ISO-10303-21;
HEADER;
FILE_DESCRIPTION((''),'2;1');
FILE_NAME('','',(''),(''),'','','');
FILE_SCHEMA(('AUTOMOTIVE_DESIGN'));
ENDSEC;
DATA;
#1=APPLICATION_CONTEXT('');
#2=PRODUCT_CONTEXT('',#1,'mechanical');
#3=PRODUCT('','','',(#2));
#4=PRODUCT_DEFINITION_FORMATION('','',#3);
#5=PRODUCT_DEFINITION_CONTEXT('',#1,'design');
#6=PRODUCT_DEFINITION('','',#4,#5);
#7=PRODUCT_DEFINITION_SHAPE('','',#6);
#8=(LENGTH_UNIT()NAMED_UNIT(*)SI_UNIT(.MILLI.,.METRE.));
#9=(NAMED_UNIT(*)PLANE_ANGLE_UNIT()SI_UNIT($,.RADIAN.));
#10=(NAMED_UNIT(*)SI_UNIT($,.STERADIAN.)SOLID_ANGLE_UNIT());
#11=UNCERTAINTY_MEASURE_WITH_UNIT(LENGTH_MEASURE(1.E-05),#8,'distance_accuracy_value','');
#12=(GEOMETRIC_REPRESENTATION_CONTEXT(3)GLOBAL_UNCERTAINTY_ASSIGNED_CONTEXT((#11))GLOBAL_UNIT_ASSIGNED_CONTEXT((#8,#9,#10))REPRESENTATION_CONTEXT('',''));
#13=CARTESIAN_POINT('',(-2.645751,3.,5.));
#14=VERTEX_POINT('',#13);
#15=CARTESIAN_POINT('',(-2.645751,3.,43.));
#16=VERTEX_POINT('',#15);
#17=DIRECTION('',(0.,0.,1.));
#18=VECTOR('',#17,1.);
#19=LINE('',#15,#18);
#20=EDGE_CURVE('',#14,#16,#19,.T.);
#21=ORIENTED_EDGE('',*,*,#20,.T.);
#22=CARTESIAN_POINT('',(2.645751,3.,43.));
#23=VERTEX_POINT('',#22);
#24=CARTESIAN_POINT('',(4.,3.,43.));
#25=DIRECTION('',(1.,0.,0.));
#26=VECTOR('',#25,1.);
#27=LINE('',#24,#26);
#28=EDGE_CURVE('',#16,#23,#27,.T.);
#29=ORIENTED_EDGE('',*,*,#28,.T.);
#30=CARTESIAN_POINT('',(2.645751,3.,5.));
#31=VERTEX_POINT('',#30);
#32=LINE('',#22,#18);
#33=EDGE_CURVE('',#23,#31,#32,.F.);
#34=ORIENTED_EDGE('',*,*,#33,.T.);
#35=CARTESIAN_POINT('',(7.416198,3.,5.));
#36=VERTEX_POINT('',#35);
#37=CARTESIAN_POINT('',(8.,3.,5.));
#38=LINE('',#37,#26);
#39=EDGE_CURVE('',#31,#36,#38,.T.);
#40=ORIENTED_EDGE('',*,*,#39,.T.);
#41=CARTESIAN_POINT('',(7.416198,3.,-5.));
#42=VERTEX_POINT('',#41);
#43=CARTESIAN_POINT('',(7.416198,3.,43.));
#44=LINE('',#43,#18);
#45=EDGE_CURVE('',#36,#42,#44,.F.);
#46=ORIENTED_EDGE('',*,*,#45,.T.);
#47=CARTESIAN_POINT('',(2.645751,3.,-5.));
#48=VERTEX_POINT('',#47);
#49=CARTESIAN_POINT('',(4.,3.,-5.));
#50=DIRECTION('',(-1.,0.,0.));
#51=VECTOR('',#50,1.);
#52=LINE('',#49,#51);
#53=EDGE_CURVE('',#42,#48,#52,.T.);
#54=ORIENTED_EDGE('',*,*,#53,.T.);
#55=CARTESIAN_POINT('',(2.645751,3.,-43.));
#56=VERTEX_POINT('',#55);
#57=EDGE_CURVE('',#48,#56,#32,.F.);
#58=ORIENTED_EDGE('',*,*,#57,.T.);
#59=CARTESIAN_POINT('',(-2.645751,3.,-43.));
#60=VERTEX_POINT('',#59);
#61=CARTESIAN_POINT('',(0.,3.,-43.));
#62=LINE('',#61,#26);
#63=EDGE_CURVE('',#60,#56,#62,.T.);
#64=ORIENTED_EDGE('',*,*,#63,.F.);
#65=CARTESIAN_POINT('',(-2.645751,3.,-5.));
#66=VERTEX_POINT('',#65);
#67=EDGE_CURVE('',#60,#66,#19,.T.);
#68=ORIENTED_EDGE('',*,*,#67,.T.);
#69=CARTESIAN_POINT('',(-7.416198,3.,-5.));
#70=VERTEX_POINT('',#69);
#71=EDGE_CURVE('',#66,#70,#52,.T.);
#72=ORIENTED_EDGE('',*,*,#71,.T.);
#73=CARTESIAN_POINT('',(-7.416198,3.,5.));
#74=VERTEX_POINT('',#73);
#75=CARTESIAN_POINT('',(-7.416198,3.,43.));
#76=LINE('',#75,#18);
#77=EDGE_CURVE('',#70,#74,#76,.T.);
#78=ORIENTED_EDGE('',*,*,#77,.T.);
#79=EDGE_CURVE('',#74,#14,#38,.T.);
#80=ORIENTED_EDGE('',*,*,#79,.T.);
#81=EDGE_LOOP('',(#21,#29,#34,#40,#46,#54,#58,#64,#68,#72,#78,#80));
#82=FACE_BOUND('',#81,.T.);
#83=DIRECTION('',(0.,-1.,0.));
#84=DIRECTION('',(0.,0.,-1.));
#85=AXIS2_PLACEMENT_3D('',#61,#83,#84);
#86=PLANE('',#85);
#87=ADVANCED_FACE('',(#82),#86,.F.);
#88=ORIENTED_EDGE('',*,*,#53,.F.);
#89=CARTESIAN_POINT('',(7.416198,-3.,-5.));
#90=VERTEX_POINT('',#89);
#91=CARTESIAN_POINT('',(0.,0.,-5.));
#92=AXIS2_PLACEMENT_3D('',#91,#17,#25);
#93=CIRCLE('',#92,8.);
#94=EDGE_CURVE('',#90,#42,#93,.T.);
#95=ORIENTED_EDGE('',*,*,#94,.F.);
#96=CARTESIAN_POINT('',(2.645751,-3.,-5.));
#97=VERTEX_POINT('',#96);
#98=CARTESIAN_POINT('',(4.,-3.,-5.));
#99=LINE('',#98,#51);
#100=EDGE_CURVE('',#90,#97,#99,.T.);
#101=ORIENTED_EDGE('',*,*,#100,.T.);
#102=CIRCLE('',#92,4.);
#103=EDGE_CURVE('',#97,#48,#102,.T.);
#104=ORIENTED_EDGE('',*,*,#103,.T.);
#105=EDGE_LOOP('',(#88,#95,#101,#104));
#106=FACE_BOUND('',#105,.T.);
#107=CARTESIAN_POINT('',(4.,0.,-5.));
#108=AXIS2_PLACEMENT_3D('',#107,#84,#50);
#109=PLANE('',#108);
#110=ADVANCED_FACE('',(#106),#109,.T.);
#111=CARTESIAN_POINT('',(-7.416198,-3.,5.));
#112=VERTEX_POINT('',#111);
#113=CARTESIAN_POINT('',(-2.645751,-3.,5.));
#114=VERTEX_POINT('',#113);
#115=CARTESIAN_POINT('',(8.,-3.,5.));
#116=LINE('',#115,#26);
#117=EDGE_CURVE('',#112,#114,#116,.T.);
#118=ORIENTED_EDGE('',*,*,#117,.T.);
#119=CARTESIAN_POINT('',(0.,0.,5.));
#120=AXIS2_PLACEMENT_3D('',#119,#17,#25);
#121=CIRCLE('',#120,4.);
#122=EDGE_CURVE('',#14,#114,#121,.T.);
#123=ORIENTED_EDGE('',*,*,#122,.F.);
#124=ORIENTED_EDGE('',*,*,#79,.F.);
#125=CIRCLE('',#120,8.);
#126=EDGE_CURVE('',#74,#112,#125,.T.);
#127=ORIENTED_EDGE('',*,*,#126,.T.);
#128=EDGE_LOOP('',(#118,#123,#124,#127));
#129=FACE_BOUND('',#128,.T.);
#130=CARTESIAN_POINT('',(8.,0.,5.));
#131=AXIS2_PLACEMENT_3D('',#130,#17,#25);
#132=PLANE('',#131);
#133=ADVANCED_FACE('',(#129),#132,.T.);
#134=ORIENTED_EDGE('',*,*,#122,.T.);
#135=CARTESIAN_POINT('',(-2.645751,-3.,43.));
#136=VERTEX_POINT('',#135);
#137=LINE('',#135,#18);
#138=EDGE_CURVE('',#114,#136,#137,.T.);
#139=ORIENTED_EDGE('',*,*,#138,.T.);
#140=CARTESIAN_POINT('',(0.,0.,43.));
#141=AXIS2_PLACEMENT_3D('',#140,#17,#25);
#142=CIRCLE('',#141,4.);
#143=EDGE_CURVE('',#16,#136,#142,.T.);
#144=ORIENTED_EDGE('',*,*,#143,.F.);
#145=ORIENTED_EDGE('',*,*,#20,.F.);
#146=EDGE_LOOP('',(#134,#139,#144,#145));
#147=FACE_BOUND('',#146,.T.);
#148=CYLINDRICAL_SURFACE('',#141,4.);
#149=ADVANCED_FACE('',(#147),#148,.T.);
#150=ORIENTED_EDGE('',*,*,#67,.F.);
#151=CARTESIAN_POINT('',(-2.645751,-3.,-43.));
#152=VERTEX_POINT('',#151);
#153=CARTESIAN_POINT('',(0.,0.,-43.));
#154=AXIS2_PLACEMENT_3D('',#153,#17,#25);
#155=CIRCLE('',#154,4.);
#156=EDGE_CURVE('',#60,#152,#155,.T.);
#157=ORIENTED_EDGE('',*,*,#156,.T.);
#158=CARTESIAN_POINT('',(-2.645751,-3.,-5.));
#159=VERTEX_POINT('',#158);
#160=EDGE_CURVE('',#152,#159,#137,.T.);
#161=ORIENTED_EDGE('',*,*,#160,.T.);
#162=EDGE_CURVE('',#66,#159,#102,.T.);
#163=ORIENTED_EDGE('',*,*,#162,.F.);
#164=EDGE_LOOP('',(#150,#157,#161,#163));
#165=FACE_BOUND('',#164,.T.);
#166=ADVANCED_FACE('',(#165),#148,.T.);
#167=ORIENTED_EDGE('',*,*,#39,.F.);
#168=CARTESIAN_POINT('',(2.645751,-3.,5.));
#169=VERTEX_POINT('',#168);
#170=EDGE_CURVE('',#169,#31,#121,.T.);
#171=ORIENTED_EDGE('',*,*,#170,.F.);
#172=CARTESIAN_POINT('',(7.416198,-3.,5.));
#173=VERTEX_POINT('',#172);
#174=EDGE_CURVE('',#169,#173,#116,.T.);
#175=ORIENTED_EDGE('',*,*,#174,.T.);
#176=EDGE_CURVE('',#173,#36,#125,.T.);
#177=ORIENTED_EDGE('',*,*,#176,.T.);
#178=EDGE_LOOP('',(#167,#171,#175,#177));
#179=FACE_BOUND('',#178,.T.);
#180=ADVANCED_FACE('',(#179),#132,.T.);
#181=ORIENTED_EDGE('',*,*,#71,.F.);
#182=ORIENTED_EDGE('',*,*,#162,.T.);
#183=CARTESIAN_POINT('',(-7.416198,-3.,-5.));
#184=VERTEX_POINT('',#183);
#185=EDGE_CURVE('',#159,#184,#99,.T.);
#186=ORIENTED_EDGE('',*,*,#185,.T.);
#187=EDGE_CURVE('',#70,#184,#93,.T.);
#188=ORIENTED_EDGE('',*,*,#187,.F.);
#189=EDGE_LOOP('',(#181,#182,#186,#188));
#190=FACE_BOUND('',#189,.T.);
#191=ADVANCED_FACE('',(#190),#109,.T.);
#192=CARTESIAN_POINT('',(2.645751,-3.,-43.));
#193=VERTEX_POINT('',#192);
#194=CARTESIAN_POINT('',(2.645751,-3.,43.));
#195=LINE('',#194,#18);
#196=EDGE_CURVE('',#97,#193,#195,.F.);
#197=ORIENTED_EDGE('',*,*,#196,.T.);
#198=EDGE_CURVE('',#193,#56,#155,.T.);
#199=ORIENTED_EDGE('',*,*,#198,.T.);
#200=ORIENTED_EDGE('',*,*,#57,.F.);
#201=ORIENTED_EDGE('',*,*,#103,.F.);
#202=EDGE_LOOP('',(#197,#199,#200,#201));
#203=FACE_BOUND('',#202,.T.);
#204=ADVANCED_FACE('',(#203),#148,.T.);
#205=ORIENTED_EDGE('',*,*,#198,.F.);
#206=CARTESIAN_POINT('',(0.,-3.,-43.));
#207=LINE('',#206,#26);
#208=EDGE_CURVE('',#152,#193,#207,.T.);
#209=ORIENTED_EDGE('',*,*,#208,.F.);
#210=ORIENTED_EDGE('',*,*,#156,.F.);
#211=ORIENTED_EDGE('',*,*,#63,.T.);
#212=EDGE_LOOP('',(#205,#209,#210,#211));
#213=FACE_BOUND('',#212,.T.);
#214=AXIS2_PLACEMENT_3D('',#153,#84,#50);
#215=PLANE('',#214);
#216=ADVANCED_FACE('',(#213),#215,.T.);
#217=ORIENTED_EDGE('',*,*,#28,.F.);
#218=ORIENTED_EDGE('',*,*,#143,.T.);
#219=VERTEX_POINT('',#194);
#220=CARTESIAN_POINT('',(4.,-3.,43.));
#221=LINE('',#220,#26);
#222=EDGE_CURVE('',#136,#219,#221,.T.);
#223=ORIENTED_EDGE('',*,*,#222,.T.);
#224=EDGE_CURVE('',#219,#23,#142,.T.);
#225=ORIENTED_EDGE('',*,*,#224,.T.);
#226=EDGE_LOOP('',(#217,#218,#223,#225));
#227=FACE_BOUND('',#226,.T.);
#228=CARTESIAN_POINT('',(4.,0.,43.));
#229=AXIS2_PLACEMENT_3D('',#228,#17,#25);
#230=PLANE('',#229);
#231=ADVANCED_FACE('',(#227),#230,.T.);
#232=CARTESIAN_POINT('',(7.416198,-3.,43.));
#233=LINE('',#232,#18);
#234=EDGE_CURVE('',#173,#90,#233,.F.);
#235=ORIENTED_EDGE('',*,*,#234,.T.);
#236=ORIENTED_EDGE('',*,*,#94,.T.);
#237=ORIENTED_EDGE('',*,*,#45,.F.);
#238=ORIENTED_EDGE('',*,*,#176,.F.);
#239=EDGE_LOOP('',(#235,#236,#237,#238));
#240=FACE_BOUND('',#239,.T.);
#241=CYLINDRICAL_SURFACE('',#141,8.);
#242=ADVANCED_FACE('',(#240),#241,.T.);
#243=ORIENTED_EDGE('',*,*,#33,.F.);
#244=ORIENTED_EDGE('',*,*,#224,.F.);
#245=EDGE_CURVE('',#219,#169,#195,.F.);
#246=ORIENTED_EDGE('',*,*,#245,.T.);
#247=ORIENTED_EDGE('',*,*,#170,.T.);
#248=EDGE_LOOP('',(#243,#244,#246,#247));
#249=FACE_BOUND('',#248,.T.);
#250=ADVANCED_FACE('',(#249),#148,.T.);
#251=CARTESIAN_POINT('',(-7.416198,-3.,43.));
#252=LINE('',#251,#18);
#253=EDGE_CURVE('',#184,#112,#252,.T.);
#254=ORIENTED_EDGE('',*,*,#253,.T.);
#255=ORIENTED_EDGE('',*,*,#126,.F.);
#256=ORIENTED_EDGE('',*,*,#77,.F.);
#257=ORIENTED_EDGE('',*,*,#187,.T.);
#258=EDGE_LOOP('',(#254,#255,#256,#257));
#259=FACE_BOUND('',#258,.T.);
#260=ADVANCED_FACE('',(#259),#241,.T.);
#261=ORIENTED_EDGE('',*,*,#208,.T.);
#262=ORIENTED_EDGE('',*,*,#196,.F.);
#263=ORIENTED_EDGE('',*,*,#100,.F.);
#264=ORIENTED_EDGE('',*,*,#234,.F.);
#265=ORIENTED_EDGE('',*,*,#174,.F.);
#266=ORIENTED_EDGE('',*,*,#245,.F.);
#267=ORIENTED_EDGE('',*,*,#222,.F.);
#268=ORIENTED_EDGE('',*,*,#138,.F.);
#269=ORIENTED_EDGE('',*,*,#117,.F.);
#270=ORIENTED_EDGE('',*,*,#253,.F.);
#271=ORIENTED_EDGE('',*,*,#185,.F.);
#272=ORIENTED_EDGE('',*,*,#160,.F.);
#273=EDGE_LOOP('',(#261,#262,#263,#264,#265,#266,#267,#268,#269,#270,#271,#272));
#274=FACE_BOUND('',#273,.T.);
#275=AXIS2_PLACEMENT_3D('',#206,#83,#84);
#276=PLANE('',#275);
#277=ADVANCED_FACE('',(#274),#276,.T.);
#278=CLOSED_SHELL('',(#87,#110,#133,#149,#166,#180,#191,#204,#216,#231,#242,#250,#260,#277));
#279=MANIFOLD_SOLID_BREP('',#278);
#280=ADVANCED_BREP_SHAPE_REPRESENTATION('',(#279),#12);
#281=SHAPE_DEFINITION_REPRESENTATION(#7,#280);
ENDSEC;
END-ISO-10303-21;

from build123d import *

# Parameters (mm, degrees)
CUT_EXTRUDE1_DEPTH      = 45.463468151
CUT_EXTRUDE1_DEPTH_BACK = 45.463468151
SKETCH2_W               = 16
SKETCH2_H               = 5


with BuildPart() as part:
    # Sketch1 → Revolve1 (revolve)
    with BuildSketch(Plane(origin=(0, 0, 0), x_dir=(1, 0, 0), z_dir=(0, 1, 0))):
        Polygon((4, 43), (4, 5), (8, 5), (8, -5), (4, -5), (4, -43), (0, -43), (0, 43), align=None)
    revolve(axis=Axis((0, 0, 43), (0, 0, -1)))

    # Sketch2 → Cut-Extrude1 (cut, two sides: drawn at the far end of the back side and taken through both)
    with BuildSketch(Plane.XY.offset(-CUT_EXTRUDE1_DEPTH_BACK)):
        with Locations((0, 5.5)):
            Rectangle(SKETCH2_W, SKETCH2_H)
        with Locations((0, -5.5)):
            Rectangle(SKETCH2_W, SKETCH2_H)
    extrude(amount=CUT_EXTRUDE1_DEPTH + CUT_EXTRUDE1_DEPTH_BACK, mode=Mode.SUBTRACT)


solid = part.part
